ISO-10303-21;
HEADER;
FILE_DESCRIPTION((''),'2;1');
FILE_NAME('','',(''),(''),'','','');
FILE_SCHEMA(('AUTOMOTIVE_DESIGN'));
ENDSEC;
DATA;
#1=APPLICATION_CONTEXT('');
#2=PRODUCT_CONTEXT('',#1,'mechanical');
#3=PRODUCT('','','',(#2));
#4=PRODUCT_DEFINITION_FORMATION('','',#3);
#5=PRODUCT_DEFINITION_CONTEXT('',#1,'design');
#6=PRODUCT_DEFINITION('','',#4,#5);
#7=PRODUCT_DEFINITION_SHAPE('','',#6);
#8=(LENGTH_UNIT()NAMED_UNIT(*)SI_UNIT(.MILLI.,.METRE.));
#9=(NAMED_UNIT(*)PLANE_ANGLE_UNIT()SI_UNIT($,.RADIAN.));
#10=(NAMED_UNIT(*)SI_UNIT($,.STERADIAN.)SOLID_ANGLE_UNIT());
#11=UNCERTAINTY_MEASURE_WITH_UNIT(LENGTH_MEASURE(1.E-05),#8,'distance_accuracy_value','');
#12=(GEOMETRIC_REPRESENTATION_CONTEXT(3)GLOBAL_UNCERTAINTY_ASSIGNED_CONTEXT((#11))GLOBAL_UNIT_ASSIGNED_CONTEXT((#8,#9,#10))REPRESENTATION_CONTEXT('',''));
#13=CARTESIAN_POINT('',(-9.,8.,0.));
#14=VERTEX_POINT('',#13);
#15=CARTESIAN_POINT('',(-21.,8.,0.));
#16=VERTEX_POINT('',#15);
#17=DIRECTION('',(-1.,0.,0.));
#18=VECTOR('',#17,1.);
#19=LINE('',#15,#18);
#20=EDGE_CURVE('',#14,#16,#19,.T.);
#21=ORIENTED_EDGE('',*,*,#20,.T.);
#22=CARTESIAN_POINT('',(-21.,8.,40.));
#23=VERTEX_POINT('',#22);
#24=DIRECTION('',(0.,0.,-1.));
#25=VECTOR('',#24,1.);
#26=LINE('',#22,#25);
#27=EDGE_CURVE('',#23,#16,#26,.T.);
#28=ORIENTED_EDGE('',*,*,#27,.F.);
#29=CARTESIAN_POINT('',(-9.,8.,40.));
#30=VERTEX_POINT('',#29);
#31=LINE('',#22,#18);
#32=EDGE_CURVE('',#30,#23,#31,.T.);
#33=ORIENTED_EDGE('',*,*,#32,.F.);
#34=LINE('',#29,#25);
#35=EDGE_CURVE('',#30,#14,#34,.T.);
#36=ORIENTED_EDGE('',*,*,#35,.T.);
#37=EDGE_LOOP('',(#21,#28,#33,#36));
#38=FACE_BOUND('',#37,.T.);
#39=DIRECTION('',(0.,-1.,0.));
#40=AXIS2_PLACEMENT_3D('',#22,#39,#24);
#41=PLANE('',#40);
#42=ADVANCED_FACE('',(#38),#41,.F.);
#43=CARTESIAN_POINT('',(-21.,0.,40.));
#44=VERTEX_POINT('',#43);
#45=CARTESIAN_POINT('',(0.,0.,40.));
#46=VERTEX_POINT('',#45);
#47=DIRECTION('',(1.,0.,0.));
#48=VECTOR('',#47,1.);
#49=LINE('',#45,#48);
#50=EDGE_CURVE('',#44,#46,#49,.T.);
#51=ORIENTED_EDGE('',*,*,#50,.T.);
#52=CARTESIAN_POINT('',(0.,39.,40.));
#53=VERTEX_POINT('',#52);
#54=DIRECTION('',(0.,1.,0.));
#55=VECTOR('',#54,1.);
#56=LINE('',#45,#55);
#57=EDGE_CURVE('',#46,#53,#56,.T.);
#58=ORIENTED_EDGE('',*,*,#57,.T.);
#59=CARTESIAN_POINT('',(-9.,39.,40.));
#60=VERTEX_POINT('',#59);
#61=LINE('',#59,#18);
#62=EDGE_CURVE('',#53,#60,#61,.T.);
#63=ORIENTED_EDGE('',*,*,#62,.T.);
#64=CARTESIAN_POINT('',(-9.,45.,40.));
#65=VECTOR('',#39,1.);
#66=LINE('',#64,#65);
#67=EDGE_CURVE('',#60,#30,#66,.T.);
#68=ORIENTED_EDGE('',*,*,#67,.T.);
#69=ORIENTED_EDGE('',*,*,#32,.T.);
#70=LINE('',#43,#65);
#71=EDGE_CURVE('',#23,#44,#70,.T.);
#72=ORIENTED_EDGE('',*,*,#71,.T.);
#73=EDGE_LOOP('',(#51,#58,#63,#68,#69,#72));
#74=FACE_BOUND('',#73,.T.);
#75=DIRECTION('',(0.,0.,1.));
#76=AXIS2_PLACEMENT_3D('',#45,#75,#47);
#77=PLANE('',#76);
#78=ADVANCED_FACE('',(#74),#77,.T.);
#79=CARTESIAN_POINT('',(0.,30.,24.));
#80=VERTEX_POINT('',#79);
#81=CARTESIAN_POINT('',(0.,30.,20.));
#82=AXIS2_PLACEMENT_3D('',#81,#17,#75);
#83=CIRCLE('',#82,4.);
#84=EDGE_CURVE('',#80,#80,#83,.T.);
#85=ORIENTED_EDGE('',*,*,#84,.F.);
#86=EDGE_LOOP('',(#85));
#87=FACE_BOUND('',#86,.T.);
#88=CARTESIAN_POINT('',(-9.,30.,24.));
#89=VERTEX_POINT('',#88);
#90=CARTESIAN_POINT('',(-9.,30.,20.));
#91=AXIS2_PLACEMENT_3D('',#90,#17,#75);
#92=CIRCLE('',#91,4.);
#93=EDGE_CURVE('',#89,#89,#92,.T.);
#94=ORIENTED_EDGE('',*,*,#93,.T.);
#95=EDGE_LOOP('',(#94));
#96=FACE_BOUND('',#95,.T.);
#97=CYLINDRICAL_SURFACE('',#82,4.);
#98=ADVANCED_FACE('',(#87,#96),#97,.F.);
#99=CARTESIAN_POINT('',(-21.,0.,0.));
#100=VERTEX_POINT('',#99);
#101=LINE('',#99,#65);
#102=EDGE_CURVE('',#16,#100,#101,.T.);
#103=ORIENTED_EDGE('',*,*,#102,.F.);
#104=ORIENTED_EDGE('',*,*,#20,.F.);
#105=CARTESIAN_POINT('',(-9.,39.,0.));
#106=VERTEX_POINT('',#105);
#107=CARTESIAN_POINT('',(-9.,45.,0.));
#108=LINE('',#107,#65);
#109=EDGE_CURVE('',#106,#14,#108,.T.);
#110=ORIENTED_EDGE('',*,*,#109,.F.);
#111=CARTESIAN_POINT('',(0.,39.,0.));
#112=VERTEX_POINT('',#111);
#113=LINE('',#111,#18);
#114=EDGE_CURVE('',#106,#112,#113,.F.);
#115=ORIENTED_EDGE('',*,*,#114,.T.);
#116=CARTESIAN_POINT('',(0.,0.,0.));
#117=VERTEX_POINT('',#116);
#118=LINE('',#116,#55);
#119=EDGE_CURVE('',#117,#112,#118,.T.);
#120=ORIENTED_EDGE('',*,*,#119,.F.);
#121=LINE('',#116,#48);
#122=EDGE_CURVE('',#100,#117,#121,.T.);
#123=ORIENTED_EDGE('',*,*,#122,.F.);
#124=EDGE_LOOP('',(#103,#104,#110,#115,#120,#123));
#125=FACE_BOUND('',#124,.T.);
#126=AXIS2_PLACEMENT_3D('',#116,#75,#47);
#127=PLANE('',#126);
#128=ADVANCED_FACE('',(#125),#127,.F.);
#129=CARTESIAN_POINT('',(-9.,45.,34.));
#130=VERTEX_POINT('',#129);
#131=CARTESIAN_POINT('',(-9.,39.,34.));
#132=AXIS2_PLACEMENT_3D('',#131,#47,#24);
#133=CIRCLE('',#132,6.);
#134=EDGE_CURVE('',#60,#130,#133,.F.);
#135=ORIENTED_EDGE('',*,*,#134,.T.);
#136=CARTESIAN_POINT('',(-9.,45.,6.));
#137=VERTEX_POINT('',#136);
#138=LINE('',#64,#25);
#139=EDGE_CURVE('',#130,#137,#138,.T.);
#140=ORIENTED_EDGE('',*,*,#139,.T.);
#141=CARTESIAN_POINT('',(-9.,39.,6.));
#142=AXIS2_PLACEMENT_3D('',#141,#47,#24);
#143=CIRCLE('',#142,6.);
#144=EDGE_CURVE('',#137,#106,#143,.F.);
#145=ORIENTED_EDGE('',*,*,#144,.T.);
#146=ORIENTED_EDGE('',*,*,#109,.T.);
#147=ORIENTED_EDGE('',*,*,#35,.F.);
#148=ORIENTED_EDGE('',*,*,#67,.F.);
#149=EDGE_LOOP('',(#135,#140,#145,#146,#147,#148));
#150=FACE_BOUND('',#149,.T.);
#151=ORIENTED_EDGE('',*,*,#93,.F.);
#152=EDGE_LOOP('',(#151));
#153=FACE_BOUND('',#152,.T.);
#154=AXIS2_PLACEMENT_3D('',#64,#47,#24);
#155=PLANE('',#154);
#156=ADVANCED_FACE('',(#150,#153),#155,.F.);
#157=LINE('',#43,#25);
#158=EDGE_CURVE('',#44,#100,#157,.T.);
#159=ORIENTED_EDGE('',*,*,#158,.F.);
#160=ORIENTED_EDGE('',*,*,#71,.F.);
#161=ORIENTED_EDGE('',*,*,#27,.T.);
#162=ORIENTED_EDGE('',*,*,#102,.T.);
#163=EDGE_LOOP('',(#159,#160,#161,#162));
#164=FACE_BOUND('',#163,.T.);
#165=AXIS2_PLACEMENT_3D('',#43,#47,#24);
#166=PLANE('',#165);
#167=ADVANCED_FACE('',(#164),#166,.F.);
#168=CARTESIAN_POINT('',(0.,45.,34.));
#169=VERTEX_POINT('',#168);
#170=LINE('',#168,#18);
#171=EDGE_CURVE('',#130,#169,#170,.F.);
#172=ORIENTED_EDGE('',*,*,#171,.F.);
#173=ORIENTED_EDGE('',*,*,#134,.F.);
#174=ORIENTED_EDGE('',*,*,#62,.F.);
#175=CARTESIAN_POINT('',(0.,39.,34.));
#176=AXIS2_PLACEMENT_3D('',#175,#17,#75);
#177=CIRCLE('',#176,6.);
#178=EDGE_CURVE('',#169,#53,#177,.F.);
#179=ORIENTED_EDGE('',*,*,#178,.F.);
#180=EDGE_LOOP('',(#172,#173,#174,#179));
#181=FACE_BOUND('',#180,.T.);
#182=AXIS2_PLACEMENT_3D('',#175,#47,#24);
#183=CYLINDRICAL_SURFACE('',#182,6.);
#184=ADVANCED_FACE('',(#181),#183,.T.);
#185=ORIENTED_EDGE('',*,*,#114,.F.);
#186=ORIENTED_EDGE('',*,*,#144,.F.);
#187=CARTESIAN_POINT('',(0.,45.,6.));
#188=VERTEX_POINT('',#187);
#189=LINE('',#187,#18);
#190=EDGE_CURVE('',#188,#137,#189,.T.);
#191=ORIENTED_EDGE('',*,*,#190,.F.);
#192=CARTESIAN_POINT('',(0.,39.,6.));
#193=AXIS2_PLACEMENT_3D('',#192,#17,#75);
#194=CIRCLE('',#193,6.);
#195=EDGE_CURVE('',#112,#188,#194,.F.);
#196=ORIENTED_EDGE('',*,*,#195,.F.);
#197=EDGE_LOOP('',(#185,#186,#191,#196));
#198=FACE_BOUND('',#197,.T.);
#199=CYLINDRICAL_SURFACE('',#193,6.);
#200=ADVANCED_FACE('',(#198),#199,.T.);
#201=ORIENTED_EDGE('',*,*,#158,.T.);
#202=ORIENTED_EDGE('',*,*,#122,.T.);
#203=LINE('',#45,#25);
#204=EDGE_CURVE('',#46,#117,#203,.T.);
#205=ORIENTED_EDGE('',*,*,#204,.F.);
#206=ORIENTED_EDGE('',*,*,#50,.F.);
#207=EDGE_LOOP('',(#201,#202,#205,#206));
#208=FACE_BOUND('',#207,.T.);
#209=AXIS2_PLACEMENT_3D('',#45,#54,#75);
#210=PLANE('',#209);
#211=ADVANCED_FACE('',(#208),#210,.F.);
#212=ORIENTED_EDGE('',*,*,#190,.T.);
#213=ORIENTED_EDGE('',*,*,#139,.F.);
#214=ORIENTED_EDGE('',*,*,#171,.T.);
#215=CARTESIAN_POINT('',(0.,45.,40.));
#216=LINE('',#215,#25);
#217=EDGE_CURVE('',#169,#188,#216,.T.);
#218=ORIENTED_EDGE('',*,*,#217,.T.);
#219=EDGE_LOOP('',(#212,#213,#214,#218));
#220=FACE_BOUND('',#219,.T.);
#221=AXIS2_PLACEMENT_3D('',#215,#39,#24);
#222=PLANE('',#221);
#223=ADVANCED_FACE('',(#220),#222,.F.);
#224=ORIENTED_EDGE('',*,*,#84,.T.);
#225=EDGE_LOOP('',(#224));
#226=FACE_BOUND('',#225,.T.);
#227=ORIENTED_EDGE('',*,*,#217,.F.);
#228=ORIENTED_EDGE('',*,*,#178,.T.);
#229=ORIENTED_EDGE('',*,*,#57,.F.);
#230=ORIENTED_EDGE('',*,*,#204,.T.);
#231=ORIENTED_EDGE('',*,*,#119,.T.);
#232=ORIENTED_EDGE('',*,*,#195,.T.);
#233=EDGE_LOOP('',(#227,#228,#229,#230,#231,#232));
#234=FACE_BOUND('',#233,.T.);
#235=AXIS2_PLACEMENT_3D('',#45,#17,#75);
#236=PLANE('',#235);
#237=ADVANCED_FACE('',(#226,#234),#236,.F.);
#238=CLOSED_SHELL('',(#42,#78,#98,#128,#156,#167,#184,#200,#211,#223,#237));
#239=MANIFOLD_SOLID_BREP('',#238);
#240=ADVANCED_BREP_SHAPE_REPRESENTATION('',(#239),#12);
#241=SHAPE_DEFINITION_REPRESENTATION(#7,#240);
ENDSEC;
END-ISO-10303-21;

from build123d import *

# Parameters (mm, degrees)
EXTRUDE_1_DEPTH     = 40
FILLET_1_R          = 6
SKETCH_2_R          = 4
CUT_EXTRUDE_1_DEPTH = 62.392181913


with BuildPart() as part:
    # 草图1 → 凸台-拉伸1 (new body)
    with BuildSketch(Plane.XY):
        Polygon((0, 0), (-21, 0), (-21, 8), (-9, 8), (-9, 45), (0, 45), align=None)
    extrude(amount=EXTRUDE_1_DEPTH)

    # 圆角1
    fillet_1_edges = [part.edges().sort_by_distance(p)[0] for p in [
        (-4.5, 45, 40),
        (-4.5, 45, 0),
    ]]
    fillet(fillet_1_edges, radius=FILLET_1_R)

    # 草图2 → 切除-拉伸1 (cut, through all)
    with BuildSketch(Plane.ZY.offset(9)):
        with Locations((20, 30)):
            Circle(SKETCH_2_R)
    extrude(amount=-CUT_EXTRUDE_1_DEPTH, mode=Mode.SUBTRACT)


solid = part.part
